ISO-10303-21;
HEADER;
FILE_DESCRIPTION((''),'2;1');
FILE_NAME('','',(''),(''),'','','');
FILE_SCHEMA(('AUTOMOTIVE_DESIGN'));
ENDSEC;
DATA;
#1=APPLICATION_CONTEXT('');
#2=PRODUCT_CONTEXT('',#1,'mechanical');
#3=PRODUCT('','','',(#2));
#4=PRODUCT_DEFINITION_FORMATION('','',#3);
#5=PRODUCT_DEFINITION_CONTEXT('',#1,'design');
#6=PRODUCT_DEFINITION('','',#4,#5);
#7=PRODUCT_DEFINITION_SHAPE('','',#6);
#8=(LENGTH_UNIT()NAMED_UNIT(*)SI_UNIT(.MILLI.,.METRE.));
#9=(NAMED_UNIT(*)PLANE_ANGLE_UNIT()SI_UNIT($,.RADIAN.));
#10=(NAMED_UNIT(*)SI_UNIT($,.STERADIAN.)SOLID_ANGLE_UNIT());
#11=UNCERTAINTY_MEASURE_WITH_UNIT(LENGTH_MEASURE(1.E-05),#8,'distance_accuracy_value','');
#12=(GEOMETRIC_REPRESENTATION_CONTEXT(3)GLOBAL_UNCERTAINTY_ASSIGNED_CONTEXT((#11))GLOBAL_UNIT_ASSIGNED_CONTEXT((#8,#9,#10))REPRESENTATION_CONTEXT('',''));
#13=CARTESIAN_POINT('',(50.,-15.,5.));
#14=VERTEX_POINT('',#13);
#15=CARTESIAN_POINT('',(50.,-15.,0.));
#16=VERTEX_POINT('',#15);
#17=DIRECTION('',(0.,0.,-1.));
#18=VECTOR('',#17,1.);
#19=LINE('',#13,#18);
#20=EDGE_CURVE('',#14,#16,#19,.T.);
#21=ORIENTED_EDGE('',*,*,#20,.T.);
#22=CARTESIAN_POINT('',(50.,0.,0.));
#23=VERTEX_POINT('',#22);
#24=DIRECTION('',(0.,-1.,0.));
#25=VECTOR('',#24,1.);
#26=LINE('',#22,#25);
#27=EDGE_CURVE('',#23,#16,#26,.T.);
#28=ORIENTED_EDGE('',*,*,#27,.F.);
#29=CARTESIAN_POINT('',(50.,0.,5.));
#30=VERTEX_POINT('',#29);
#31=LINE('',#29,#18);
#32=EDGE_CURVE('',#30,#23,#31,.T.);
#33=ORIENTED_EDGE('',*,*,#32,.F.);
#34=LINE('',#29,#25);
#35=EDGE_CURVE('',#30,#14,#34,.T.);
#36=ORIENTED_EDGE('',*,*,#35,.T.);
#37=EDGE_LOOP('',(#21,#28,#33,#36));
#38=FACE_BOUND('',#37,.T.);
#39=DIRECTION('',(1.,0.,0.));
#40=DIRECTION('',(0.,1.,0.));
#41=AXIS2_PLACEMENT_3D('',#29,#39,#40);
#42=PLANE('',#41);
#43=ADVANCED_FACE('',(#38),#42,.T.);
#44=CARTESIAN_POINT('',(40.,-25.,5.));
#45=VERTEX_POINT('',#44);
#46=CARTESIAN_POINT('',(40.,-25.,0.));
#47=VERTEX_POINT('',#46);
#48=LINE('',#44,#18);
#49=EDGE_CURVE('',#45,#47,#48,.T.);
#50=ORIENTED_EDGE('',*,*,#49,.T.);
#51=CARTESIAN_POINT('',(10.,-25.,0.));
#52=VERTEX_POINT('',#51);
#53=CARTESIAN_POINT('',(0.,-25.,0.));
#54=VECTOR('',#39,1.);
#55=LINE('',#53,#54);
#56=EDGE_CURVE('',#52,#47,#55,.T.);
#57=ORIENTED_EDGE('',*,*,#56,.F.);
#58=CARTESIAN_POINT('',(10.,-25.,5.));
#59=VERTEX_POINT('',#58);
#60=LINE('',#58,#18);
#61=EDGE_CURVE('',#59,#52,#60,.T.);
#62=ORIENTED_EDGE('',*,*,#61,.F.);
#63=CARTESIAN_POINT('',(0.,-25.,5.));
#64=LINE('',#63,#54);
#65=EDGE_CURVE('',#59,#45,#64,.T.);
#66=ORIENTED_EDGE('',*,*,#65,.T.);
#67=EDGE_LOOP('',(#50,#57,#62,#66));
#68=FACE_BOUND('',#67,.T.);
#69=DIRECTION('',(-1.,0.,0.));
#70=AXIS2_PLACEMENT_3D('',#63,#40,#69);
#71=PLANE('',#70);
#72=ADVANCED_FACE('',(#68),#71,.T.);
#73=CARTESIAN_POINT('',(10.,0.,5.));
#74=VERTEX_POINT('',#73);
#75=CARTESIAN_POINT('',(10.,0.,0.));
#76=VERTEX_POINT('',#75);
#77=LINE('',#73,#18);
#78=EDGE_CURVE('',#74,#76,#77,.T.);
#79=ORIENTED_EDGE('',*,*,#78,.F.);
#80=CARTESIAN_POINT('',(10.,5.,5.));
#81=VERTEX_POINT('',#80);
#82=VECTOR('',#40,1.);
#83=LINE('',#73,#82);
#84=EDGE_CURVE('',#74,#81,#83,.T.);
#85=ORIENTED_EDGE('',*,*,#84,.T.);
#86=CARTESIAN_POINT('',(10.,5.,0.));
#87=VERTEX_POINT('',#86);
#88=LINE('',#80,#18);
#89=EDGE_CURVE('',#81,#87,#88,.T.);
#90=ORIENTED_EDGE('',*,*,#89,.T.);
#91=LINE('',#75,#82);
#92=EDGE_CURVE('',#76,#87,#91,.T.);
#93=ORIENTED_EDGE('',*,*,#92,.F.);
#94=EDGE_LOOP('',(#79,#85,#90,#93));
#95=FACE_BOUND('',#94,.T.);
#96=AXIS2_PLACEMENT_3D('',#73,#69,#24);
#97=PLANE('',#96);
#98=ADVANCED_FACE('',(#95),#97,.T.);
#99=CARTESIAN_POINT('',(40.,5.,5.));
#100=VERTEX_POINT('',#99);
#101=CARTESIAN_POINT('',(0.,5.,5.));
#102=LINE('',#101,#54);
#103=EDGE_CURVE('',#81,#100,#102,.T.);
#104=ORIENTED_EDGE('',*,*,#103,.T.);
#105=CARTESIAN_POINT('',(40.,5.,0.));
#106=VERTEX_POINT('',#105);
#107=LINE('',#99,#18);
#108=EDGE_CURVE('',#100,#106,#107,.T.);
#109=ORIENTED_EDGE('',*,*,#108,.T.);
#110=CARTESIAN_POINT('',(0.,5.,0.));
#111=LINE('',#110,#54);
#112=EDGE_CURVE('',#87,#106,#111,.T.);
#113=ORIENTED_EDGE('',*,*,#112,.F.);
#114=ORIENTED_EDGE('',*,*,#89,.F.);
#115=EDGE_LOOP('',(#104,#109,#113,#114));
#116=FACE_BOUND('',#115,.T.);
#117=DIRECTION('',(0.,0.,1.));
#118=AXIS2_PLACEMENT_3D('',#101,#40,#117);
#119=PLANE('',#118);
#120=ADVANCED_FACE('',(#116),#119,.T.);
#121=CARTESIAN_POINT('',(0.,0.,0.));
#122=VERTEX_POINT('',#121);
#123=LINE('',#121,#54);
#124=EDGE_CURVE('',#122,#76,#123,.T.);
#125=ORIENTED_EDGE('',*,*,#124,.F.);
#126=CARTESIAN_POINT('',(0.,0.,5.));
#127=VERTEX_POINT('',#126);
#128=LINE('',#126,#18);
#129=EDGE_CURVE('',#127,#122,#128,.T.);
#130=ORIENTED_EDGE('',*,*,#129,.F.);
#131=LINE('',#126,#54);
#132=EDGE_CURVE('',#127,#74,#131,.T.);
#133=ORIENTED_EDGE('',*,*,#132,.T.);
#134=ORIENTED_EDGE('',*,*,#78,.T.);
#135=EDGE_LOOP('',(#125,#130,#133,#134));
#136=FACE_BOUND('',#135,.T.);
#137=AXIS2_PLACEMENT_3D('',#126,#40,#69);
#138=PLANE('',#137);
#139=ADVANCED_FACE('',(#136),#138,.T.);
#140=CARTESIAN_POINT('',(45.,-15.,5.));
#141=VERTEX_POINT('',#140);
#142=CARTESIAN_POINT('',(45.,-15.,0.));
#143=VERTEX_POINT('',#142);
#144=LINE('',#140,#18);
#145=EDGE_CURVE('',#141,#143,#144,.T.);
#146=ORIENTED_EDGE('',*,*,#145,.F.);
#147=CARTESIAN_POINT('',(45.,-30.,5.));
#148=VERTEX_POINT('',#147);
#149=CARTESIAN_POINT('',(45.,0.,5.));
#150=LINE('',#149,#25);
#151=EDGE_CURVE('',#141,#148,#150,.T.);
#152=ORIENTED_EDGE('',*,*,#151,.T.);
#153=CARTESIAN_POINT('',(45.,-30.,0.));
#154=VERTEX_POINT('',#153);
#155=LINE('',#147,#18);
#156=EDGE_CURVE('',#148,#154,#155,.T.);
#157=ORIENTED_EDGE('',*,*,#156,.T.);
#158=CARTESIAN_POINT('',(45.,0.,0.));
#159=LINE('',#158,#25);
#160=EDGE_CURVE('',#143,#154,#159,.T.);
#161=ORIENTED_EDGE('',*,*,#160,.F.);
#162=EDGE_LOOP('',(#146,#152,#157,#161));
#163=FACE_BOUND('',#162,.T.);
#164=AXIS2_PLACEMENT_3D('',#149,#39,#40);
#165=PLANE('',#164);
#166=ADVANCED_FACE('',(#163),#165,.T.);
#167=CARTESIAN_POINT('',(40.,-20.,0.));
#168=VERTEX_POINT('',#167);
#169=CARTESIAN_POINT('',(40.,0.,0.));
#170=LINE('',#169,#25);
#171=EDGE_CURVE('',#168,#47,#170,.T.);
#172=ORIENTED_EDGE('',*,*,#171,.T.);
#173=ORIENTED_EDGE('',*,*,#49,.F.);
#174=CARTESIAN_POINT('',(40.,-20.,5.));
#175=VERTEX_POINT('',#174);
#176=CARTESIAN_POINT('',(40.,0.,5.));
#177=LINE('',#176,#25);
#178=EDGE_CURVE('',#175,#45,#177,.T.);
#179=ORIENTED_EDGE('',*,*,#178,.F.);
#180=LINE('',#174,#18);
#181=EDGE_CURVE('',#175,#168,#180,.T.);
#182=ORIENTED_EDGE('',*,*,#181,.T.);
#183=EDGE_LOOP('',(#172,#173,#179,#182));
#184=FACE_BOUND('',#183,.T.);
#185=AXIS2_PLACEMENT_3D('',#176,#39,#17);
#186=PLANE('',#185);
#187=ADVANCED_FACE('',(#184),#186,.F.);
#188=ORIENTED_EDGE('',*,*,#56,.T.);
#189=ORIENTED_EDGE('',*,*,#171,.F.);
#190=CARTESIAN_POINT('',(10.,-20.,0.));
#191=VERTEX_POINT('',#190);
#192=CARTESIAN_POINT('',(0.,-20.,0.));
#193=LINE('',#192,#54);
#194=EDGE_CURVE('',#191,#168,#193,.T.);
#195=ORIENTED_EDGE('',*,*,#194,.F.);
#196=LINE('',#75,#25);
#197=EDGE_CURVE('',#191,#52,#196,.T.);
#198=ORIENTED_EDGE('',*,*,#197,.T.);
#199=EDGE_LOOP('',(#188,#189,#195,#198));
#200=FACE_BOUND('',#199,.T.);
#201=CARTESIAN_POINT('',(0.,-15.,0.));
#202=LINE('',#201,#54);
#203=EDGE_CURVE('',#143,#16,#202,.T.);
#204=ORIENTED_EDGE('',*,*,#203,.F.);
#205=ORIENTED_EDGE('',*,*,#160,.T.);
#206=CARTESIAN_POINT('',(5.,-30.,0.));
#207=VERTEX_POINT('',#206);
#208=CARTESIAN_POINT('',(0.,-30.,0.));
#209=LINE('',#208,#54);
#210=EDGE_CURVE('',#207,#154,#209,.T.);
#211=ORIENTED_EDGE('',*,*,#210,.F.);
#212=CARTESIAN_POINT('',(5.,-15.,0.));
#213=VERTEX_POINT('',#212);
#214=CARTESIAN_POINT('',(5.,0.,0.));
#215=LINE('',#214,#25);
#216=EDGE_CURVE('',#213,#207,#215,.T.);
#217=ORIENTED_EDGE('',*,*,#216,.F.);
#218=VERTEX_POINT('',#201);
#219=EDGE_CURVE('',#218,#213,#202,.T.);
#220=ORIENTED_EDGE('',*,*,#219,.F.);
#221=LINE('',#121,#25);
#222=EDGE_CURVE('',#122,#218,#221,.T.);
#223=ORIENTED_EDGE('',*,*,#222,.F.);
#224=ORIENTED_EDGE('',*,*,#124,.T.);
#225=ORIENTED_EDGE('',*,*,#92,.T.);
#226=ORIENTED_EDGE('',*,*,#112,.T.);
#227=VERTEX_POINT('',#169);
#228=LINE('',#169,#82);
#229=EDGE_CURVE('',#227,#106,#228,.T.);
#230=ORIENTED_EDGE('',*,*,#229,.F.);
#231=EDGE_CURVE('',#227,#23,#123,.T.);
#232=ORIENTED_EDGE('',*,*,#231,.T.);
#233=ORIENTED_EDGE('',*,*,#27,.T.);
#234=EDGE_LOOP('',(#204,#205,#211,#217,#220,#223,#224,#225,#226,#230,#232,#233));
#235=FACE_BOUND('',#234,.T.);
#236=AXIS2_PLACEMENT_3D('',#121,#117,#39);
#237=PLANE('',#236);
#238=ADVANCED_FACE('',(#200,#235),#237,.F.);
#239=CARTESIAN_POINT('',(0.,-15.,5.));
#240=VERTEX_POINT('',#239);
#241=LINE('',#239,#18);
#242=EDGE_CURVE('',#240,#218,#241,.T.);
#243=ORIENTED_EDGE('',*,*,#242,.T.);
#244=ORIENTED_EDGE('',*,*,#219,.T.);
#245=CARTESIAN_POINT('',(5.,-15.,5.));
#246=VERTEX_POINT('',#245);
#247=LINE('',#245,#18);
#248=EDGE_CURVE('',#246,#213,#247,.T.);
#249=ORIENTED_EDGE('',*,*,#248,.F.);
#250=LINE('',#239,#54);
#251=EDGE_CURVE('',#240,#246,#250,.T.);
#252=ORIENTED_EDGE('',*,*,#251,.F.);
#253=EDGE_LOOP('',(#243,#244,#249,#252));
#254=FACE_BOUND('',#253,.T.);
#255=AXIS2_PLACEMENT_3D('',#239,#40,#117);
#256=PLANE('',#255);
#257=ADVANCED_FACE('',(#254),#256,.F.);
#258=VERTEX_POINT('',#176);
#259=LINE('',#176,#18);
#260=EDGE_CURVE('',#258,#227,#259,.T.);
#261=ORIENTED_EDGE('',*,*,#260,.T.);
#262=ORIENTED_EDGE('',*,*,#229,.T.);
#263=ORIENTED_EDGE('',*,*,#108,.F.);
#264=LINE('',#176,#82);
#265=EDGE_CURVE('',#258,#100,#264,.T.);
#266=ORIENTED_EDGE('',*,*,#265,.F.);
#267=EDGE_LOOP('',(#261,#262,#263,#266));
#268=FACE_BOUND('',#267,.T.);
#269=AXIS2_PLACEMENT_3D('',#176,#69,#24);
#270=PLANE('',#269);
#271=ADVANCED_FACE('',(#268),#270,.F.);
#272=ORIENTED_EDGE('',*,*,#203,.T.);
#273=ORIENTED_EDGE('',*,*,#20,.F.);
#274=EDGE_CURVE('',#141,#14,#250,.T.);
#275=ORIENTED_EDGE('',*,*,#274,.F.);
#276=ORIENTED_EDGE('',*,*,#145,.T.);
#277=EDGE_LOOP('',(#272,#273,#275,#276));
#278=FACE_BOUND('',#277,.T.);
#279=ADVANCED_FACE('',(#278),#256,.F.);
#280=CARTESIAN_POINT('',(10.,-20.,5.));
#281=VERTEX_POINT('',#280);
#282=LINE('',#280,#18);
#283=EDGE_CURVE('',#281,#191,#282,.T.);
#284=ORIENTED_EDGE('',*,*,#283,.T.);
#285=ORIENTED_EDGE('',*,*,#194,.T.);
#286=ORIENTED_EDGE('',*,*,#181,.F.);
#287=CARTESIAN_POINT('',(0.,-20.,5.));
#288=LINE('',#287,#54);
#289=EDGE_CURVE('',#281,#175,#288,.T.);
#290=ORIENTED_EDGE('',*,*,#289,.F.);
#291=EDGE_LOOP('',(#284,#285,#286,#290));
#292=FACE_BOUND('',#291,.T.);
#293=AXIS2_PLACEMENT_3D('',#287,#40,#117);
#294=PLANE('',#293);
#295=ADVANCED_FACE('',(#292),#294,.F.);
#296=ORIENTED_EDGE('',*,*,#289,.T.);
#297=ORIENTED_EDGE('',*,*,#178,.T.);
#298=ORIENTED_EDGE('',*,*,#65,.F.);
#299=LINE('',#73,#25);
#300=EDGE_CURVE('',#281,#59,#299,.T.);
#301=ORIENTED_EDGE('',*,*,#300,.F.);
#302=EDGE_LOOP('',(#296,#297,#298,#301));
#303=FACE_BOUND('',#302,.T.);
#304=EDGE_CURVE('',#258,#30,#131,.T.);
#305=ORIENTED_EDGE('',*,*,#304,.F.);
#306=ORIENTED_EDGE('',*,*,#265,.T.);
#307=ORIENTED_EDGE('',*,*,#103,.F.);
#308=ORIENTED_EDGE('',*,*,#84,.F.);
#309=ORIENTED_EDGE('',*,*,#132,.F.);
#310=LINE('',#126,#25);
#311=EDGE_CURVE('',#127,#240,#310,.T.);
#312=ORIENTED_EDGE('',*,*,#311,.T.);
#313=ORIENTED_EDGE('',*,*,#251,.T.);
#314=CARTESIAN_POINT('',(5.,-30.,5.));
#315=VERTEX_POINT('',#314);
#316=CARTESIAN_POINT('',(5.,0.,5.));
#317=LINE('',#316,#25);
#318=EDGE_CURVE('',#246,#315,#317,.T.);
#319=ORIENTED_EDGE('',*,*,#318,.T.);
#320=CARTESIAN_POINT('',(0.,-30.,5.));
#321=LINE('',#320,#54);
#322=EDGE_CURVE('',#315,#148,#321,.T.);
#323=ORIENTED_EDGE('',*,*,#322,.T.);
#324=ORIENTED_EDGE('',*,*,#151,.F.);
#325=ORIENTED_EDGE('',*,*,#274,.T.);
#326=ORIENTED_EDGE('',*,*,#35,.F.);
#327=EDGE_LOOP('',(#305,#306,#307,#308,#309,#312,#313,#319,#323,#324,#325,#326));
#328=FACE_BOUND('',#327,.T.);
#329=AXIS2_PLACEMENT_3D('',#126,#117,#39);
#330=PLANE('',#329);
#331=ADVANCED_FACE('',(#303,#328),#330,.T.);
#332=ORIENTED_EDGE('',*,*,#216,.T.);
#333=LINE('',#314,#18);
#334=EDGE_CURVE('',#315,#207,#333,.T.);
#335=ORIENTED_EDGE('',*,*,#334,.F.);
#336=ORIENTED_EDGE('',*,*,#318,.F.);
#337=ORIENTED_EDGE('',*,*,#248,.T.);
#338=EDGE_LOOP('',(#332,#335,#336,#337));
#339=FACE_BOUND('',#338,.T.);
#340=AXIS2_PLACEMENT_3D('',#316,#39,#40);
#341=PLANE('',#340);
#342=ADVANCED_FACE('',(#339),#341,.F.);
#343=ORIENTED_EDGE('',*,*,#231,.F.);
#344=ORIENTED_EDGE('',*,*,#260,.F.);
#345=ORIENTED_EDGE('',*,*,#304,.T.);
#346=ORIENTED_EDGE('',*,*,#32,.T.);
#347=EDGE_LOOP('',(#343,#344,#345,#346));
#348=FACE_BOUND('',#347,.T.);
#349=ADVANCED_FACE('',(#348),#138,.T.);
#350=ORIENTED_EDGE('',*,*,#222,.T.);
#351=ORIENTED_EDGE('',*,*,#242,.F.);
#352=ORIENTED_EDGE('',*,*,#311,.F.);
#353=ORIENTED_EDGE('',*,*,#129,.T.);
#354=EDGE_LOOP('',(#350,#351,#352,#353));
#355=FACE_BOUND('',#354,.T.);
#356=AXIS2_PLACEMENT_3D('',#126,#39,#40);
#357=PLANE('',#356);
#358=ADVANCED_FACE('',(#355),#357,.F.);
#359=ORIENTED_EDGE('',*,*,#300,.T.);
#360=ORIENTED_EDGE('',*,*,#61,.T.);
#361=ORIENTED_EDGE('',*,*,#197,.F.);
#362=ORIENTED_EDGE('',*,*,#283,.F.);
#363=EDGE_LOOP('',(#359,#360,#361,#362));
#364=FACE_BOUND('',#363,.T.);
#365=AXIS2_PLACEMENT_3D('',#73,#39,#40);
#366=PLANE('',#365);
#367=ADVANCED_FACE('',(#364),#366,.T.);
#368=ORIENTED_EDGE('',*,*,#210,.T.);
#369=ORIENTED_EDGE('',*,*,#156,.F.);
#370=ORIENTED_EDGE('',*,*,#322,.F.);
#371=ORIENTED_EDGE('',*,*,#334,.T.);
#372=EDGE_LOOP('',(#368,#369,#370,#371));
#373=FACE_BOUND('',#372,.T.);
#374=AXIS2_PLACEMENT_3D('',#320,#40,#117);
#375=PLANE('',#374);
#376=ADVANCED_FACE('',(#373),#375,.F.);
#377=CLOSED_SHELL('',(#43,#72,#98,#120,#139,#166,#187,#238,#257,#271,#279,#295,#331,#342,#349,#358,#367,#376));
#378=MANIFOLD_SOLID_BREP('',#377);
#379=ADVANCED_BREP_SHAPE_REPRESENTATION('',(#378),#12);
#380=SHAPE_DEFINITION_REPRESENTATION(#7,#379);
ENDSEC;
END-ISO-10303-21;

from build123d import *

# Parameters (mm, degrees)
SKETCH1_W           = 30
SKETCH1_H           = 5
SKETCH1_W_2         = 50
SKETCH1_H_2         = 15
SKETCH1_W_3         = 40
BOSS_EXTRUDE1_DEPTH = 5


with BuildPart() as part:
    # Sketch1 → Boss-Extrude1 (new body)
    # profile 1 of 3: a face of its own
    with BuildSketch(Plane.XY):
        with Locations((25, 2.5)):
            Rectangle(SKETCH1_W, SKETCH1_H)
    # profile 2 of 3: a face of its own
    with BuildSketch(Plane.XY):
        with Locations((25, -7.5)):
            Rectangle(SKETCH1_W_2, SKETCH1_H_2)
    # profile 3 of 3: a face of its own
    with BuildSketch(Plane.XY):
        with Locations((25, -22.5)):
            Rectangle(SKETCH1_W_3, SKETCH1_H_2)
        with Locations((25, -22.5)):
            Rectangle(SKETCH1_W, SKETCH1_H, mode=Mode.SUBTRACT)
    extrude(amount=BOSS_EXTRUDE1_DEPTH)


solid = part.part
